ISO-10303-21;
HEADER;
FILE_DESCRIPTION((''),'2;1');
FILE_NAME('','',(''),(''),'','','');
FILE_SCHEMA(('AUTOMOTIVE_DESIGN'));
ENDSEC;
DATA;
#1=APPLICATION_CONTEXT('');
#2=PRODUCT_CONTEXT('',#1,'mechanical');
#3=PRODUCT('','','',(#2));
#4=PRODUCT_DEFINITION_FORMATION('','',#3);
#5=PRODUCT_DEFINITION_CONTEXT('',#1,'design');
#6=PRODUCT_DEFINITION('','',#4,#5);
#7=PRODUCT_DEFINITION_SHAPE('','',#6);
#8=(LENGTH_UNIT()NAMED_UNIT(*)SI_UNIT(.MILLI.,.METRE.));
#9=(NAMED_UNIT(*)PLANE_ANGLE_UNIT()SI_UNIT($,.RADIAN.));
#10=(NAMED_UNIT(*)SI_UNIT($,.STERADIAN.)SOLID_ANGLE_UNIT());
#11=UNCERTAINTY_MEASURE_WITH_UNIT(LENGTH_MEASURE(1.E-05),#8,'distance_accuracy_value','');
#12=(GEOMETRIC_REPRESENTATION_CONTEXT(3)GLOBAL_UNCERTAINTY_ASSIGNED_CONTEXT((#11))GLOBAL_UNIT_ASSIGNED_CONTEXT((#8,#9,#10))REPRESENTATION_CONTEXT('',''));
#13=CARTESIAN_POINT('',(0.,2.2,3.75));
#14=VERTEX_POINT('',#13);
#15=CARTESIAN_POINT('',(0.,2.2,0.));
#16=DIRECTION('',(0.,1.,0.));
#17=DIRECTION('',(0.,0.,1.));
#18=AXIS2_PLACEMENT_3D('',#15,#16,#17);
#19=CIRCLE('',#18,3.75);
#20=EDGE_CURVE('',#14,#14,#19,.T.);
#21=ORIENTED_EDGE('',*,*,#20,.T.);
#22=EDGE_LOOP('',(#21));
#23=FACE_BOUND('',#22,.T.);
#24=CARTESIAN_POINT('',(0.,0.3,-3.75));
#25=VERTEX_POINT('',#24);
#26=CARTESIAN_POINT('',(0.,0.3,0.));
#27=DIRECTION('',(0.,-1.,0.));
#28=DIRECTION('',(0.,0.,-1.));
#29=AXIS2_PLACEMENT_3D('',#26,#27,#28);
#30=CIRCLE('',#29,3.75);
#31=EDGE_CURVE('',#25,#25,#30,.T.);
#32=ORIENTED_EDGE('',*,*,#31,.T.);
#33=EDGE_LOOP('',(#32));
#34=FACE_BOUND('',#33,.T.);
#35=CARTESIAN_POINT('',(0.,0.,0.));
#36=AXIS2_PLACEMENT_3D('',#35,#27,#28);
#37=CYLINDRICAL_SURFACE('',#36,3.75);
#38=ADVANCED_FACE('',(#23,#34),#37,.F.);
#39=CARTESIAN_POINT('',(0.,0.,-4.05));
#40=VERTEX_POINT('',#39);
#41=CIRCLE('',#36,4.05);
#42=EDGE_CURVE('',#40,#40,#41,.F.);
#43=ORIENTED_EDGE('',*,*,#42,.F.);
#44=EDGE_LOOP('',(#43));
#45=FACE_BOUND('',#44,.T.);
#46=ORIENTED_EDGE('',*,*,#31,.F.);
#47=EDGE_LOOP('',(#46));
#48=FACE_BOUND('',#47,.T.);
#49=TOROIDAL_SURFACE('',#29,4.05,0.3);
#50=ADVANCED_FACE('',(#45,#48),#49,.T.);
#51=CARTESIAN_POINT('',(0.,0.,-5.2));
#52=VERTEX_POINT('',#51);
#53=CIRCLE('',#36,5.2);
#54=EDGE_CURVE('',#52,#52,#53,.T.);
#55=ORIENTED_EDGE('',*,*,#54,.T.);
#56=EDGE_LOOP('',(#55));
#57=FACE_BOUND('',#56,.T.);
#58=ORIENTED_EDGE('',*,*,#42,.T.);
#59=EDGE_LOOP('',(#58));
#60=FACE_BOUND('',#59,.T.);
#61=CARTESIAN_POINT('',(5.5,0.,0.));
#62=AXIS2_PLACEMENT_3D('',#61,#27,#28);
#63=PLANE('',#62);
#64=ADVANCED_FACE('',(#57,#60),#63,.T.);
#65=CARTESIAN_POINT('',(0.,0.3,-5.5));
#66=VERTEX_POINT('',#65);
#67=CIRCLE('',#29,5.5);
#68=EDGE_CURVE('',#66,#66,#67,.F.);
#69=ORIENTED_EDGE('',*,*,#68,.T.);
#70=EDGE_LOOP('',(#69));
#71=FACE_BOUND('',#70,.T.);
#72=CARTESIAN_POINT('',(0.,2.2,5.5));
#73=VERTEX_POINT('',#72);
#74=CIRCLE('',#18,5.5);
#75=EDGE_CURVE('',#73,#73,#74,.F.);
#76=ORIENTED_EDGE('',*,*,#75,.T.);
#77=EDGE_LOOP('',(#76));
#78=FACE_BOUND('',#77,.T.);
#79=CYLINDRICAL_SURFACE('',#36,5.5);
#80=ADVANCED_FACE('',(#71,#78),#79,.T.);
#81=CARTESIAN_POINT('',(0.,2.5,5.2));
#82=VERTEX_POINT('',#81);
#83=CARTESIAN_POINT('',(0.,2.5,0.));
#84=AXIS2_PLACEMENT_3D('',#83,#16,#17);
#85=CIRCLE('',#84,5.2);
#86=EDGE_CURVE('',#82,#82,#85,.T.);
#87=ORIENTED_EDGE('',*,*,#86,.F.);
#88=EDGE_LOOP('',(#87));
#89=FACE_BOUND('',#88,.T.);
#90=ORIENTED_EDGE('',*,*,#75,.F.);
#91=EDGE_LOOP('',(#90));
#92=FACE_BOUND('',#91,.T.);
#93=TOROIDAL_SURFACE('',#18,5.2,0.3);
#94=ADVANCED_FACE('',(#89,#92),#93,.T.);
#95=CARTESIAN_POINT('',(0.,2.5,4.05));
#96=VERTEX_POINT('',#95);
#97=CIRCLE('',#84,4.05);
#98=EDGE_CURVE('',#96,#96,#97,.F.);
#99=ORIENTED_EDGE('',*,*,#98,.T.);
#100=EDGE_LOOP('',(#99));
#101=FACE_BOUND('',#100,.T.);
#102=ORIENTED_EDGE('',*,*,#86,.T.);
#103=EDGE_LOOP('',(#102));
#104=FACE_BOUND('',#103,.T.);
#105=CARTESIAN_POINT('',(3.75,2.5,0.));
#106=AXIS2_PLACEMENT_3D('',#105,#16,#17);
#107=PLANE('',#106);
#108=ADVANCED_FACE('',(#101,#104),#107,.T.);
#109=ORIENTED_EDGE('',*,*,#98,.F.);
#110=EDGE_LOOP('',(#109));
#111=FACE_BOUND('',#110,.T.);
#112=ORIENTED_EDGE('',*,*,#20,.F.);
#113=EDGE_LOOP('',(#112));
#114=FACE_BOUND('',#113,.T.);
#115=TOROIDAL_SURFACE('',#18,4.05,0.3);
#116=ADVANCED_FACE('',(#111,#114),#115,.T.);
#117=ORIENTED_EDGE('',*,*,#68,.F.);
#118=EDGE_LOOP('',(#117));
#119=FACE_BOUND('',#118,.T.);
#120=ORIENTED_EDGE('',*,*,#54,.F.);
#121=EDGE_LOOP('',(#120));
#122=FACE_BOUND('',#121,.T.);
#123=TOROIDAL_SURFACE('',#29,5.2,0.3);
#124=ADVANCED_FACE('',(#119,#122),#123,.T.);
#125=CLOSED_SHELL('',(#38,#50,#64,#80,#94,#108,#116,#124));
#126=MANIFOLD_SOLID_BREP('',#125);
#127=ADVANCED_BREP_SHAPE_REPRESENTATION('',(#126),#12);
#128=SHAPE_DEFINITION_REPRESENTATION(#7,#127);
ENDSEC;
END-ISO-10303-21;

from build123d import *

# Parameters (mm, degrees)
SKETCH_1_W = 1.75
SKETCH_1_H = 2.5
FILLET_1_R = 0.3


with BuildPart() as part:
    # Эскиз1 → Повернуть1 (revolve)
    with BuildSketch(Plane.XY):
        with Locations((4.625, 1.25)):
            Rectangle(SKETCH_1_W, SKETCH_1_H)
    revolve(axis=Axis((0, 0, 0), (0, 1, 0)))

    # Скругление1
    fillet_1_edges = [part.edges().sort_by_distance(p)[0] for p in [
        (-5.5, 0, 0),
        (-5.5, 2.5, 0),
        (-3.75, 2.5, 0),
        (-3.75, 0, 0),
    ]]
    fillet(fillet_1_edges, radius=FILLET_1_R)


solid = part.part
